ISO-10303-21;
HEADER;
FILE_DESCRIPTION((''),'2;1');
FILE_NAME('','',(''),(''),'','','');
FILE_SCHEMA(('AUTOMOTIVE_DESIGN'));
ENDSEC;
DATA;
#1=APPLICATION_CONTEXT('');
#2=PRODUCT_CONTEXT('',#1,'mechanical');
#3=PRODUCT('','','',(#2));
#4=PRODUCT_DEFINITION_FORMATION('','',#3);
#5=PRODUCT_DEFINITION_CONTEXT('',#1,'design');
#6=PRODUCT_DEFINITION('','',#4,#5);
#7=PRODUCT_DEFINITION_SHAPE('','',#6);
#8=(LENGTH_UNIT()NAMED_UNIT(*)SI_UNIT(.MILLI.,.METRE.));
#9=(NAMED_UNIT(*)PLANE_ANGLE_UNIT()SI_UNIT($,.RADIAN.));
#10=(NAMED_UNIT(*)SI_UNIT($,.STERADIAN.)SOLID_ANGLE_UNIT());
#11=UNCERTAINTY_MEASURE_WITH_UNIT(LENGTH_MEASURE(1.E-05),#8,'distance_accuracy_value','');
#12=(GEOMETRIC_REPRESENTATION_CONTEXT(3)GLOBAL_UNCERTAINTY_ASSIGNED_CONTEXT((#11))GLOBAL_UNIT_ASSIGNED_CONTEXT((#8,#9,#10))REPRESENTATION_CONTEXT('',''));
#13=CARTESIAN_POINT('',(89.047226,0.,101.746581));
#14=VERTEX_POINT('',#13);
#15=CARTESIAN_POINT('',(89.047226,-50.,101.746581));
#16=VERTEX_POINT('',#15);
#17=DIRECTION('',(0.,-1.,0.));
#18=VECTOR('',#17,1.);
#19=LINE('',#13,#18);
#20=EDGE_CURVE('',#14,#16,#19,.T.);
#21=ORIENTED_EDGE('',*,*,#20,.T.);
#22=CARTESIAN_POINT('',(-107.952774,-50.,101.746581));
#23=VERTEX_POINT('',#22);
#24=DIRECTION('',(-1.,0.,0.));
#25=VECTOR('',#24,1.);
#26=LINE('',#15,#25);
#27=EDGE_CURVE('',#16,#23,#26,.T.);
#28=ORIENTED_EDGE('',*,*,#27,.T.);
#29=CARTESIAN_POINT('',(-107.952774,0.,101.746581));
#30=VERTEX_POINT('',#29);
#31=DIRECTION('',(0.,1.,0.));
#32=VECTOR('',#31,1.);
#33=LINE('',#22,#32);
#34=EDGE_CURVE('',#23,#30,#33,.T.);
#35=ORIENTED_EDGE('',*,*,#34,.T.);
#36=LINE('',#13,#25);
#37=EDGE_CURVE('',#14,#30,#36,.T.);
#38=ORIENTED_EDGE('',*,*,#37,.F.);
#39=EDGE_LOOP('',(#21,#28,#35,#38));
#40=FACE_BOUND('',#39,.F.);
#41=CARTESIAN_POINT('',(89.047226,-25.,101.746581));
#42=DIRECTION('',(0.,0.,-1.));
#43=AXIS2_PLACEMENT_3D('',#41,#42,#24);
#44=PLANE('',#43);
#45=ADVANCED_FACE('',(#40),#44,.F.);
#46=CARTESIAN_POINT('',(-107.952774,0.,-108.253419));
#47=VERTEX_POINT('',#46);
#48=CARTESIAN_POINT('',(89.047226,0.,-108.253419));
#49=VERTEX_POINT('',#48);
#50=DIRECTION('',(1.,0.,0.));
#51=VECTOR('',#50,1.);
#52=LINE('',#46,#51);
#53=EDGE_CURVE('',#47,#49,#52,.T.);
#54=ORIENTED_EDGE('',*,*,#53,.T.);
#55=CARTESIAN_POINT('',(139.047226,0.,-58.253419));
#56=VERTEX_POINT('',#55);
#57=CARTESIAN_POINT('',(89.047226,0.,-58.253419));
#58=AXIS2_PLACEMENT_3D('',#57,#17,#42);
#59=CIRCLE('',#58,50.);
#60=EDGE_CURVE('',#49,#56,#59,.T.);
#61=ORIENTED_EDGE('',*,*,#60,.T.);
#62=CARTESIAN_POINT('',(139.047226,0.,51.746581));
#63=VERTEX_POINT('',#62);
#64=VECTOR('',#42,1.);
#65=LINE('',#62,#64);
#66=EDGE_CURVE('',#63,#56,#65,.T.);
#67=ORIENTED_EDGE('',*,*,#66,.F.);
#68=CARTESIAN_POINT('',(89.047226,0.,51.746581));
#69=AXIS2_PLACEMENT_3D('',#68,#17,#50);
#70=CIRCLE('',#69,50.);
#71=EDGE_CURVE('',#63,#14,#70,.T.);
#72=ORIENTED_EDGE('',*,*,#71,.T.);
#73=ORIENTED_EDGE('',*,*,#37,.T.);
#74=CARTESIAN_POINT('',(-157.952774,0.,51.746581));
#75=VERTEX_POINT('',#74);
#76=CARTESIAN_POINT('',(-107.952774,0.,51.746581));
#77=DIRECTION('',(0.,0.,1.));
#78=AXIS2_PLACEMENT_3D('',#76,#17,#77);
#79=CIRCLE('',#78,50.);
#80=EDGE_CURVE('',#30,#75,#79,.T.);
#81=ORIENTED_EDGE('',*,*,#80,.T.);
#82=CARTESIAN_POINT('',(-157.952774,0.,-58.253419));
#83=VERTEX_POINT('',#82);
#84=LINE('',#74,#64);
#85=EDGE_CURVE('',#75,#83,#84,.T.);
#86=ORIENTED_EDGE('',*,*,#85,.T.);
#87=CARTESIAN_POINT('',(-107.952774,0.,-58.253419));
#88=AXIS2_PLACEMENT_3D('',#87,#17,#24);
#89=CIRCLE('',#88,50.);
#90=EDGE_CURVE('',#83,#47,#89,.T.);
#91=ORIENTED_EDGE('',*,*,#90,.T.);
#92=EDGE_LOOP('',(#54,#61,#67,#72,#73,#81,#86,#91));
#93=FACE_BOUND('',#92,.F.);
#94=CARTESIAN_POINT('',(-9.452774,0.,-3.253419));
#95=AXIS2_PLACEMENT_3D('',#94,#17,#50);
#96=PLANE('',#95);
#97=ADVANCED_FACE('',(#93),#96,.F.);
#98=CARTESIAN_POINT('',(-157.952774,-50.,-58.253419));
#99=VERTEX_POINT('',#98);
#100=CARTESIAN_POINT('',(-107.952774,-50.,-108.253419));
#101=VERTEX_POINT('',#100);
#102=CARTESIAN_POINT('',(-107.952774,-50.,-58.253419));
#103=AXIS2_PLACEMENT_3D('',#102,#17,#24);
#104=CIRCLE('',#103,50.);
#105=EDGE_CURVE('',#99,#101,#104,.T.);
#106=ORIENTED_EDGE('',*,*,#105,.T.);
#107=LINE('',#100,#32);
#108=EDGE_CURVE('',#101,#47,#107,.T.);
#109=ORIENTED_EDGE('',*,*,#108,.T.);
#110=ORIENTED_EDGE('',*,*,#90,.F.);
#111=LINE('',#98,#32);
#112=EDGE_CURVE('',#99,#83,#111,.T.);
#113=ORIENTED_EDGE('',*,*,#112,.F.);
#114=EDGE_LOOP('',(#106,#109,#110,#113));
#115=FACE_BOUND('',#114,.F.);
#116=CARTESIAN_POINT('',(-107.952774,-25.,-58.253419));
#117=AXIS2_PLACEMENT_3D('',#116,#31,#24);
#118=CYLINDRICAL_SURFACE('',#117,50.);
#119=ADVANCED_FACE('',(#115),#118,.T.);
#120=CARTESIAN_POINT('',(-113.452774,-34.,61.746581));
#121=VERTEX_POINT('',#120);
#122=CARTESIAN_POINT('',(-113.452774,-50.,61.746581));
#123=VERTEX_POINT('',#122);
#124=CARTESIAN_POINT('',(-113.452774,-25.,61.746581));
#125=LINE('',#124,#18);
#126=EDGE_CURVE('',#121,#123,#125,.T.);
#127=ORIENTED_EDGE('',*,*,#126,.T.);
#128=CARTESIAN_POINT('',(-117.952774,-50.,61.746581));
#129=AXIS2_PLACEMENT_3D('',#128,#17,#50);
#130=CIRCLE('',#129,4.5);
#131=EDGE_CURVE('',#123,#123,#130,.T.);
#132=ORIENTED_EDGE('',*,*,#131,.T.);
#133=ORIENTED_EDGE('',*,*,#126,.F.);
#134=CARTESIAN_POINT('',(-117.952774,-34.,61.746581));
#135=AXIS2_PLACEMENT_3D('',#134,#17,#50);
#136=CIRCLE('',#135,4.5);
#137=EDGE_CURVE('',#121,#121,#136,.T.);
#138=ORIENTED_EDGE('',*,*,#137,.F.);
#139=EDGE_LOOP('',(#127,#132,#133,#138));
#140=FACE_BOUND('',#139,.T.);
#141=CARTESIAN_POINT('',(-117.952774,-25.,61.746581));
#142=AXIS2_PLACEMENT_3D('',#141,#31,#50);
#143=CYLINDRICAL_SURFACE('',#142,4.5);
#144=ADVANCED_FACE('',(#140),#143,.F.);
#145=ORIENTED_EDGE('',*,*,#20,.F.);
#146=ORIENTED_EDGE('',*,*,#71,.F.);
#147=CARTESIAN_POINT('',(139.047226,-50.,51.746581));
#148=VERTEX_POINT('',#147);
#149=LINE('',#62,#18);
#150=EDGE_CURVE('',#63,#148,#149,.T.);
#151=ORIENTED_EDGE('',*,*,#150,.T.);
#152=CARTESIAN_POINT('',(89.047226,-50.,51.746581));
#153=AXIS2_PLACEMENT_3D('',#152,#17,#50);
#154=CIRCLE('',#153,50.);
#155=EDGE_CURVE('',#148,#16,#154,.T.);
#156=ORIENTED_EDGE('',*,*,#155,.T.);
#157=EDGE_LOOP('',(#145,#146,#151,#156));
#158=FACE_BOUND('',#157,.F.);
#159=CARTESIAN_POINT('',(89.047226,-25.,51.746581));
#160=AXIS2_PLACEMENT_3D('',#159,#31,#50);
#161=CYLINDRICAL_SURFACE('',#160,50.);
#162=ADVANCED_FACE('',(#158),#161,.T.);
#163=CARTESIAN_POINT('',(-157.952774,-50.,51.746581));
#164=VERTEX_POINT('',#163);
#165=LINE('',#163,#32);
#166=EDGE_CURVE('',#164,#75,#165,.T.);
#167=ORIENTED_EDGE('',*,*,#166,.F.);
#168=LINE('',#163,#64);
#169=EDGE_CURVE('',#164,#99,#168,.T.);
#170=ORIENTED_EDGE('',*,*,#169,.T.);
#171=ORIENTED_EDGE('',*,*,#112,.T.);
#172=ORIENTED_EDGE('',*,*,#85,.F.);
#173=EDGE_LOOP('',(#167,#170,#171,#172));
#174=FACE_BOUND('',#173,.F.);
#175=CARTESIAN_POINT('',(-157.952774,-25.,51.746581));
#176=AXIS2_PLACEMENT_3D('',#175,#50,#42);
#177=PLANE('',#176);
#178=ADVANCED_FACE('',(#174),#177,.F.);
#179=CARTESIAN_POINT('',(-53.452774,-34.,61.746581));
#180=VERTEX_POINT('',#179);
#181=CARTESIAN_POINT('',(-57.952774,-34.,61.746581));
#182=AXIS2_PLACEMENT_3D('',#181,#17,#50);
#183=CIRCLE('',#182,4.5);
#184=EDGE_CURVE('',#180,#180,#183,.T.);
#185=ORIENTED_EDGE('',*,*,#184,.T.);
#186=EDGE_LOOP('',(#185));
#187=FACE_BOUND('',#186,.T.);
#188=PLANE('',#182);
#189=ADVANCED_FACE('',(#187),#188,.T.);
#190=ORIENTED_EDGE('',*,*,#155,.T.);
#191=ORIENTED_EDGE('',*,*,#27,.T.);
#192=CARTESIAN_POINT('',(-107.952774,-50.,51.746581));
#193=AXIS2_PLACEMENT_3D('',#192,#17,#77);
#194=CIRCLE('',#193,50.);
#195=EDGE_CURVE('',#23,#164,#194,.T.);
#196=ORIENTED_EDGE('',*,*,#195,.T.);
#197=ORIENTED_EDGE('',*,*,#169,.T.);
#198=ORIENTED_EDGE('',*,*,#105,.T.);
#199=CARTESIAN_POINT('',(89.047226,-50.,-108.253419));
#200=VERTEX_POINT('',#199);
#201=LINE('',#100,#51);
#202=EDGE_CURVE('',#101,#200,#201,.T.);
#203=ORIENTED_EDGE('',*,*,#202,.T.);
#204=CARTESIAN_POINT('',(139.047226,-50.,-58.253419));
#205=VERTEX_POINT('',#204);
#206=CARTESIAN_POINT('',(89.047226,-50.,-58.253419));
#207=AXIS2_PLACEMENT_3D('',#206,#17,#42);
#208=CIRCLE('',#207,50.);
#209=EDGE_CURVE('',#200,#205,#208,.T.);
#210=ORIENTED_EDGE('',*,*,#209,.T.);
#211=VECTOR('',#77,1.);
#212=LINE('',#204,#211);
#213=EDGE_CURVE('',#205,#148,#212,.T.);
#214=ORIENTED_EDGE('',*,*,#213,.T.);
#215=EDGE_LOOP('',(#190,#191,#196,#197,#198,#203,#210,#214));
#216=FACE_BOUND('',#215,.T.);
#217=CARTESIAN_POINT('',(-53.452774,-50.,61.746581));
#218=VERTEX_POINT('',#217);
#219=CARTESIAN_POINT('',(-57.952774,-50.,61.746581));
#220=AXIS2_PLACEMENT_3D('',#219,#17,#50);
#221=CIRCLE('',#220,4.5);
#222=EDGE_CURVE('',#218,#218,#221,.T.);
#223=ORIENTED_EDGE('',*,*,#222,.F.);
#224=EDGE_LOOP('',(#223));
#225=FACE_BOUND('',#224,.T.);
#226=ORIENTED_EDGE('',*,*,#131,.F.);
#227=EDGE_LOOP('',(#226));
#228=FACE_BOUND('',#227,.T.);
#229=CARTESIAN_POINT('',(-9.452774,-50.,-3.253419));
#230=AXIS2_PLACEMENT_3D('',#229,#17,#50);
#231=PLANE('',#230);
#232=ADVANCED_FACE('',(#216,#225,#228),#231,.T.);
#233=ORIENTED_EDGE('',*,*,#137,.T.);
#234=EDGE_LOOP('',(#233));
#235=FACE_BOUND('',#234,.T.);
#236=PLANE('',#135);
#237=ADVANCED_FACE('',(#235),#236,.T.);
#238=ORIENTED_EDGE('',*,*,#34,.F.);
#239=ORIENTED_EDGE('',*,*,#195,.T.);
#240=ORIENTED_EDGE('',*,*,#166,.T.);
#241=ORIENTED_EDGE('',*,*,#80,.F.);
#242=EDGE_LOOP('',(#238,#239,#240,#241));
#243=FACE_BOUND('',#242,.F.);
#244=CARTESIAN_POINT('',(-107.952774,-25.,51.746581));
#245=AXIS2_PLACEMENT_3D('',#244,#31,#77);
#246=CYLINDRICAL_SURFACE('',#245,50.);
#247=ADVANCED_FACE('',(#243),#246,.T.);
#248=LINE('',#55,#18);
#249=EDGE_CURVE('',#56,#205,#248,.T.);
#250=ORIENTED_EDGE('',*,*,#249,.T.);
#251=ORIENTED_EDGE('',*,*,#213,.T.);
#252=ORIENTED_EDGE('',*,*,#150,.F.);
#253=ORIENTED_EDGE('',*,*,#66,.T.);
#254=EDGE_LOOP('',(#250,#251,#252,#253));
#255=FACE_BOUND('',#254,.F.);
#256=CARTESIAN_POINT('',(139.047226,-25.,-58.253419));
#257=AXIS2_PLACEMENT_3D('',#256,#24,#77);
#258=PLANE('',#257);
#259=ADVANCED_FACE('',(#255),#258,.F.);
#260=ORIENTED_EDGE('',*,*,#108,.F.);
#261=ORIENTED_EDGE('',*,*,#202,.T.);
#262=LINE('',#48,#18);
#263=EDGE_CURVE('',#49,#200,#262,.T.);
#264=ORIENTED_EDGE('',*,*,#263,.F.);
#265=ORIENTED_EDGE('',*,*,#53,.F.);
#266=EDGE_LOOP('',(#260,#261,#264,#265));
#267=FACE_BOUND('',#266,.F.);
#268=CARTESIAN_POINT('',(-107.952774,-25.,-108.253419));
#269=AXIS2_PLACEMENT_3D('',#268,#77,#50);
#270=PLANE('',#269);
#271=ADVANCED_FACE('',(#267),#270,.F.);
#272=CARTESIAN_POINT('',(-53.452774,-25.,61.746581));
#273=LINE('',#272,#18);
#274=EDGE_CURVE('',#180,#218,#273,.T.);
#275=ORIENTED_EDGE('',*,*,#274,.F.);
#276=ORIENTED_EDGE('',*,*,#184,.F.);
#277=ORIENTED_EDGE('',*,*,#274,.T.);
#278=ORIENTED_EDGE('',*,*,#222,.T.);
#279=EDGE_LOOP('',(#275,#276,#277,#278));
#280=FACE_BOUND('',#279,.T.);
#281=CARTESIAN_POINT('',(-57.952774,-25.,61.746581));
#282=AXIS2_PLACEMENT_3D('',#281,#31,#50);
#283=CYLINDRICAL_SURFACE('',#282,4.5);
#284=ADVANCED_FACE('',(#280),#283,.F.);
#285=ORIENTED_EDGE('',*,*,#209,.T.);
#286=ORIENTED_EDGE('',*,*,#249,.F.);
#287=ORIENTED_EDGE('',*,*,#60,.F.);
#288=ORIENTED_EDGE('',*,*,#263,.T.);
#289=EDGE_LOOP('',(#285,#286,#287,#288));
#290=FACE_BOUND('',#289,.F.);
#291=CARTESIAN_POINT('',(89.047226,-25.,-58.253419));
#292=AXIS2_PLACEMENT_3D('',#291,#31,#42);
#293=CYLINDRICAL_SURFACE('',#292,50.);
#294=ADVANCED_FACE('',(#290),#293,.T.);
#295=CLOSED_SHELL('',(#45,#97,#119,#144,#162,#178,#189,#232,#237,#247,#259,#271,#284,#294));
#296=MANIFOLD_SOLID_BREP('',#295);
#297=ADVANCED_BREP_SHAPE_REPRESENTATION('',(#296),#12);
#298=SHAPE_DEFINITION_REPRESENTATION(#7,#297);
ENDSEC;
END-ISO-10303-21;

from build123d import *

# Parameters (mm, degrees)
F2_DEPTH = 9
F3_R     = 4.5
F4_DEPTH = 25
F6_DEPTH = 25
F7_DEPTH = 25
F8_R     = 4.5
F9_DEPTH = 25


with BuildPart() as f2:
    # F0 (on Front) → F2 (new body)
    with BuildSketch(Plane.XZ):
        with BuildLine():
            Line((89.0472261183, 101.7465810478), (-107.9527738817, 101.7465810478))
            ThreePointArc((-107.9527738817, 101.7465810478), (-143.308112941, 87.1019201071), (-157.9527738817, 51.7465810478))
            Line((-157.9527738817, 51.7465810478), (-157.9527738817, -58.2534189522))
            ThreePointArc((-157.9527738817, -58.2534189522), (-143.308112941, -93.6087580116), (-107.9527738817, -108.2534189522))
            Line((-107.9527738817, -108.2534189522), (89.0472261183, -108.2534189522))
            ThreePointArc((89.0472261183, -108.2534189522), (124.4025651777, -93.6087580116), (139.0472261183, -58.2534189522))
            Line((139.0472261183, -58.2534189522), (139.0472261183, 51.7465810478))
            ThreePointArc((139.0472261183, 51.7465810478), (124.4025651777, 87.1019201071), (89.0472261183, 101.7465810478))
        make_face()
    extrude(amount=F2_DEPTH)

    # F3 (on face) → F4 (join)
    with BuildSketch(Plane.XZ.offset(9)):
        with Locations((-117.9527738817, 61.7465810478)):
            Circle(F3_R)
        with Locations((-57.9527738817, 61.7465810478)):
            Circle(F3_R)
    extrude(amount=F4_DEPTH)

    # F5 (on face) → F6 (cut)
    with BuildSketch(Plane.XZ.offset(9)):
        with BuildLine():
            Line((138.772751035, 56.9784231484), (61.5566782653, 56.9784231484))
            Line((61.5566782653, 56.9784231484), (61.5566782653, 26.1754468083))
            Line((61.5566782653, 26.1754468083), (139.0472261183, 26.1754468083))
            Line((139.0472261183, 26.1754468083), (139.0472261183, 51.7465810478))
            ThreePointArc((139.0472261183, 51.7465810478), (138.9785601974, 54.3660995311), (138.772751035, 56.9784231484))
        make_face()
    extrude(amount=-F6_DEPTH, mode=Mode.SUBTRACT)

    # F1 (on face) → F7 (join)
    with BuildSketch(Plane.XZ):
        with BuildLine():
            ThreePointArc((139.0472261183, 51.7465810478), (124.4025651777, 87.1019201071), (89.0472261183, 101.7465810478))
            Line((89.0472261183, 101.7465810478), (-107.9527738817, 101.7465810478))
            ThreePointArc((-107.9527738817, 101.7465810478), (-143.308112941, 87.1019201071), (-157.9527738817, 51.7465810478))
            Line((-157.9527738817, 51.7465810478), (-157.9527738817, -58.2534189522))
            ThreePointArc((-157.9527738817, -58.2534189522), (-143.308112941, -93.6087580116), (-107.9527738817, -108.2534189522))
            Line((-107.9527738817, -108.2534189522), (89.0472261183, -108.2534189522))
            ThreePointArc((89.0472261183, -108.2534189522), (124.4025651777, -93.6087580116), (139.0472261183, -58.2534189522))
            Line((139.0472261183, -58.2534189522), (139.0472261183, 51.7465810478))
        make_face()
    extrude(amount=F7_DEPTH)

    # F8 (on face) → F9 (join)
    with BuildSketch(Plane.XZ.offset(25)):
        with BuildLine():
            Line((-107.9527738817, -108.2534189522), (89.0472261183, -108.2534189522))
            ThreePointArc((89.0472261183, -108.2534189522), (124.4025651777, -93.6087580116), (139.0472261183, -58.2534189522))
            Line((139.0472261183, -58.2534189522), (139.0472261183, 51.7465810478))
            ThreePointArc((139.0472261183, 51.7465810478), (124.4025651777, 87.1019201071), (89.0472261183, 101.7465810478))
            Line((89.0472261183, 101.7465810478), (-107.9527738817, 101.7465810478))
            ThreePointArc((-107.9527738817, 101.7465810478), (-143.308112941, 87.1019201071), (-157.9527738817, 51.7465810478))
            Line((-157.9527738817, 51.7465810478), (-157.9527738817, -58.2534189522))
            ThreePointArc((-157.9527738817, -58.2534189522), (-143.308112941, -93.6087580116), (-107.9527738817, -108.2534189522))
        make_face()
        with Locations((-117.9527738817, 61.7465810478)):
            Circle(F8_R, mode=Mode.SUBTRACT)
        with Locations((-57.9527738817, 61.7465810478)):
            Circle(F8_R, mode=Mode.SUBTRACT)
    extrude(amount=F9_DEPTH)


solid = f2.part
